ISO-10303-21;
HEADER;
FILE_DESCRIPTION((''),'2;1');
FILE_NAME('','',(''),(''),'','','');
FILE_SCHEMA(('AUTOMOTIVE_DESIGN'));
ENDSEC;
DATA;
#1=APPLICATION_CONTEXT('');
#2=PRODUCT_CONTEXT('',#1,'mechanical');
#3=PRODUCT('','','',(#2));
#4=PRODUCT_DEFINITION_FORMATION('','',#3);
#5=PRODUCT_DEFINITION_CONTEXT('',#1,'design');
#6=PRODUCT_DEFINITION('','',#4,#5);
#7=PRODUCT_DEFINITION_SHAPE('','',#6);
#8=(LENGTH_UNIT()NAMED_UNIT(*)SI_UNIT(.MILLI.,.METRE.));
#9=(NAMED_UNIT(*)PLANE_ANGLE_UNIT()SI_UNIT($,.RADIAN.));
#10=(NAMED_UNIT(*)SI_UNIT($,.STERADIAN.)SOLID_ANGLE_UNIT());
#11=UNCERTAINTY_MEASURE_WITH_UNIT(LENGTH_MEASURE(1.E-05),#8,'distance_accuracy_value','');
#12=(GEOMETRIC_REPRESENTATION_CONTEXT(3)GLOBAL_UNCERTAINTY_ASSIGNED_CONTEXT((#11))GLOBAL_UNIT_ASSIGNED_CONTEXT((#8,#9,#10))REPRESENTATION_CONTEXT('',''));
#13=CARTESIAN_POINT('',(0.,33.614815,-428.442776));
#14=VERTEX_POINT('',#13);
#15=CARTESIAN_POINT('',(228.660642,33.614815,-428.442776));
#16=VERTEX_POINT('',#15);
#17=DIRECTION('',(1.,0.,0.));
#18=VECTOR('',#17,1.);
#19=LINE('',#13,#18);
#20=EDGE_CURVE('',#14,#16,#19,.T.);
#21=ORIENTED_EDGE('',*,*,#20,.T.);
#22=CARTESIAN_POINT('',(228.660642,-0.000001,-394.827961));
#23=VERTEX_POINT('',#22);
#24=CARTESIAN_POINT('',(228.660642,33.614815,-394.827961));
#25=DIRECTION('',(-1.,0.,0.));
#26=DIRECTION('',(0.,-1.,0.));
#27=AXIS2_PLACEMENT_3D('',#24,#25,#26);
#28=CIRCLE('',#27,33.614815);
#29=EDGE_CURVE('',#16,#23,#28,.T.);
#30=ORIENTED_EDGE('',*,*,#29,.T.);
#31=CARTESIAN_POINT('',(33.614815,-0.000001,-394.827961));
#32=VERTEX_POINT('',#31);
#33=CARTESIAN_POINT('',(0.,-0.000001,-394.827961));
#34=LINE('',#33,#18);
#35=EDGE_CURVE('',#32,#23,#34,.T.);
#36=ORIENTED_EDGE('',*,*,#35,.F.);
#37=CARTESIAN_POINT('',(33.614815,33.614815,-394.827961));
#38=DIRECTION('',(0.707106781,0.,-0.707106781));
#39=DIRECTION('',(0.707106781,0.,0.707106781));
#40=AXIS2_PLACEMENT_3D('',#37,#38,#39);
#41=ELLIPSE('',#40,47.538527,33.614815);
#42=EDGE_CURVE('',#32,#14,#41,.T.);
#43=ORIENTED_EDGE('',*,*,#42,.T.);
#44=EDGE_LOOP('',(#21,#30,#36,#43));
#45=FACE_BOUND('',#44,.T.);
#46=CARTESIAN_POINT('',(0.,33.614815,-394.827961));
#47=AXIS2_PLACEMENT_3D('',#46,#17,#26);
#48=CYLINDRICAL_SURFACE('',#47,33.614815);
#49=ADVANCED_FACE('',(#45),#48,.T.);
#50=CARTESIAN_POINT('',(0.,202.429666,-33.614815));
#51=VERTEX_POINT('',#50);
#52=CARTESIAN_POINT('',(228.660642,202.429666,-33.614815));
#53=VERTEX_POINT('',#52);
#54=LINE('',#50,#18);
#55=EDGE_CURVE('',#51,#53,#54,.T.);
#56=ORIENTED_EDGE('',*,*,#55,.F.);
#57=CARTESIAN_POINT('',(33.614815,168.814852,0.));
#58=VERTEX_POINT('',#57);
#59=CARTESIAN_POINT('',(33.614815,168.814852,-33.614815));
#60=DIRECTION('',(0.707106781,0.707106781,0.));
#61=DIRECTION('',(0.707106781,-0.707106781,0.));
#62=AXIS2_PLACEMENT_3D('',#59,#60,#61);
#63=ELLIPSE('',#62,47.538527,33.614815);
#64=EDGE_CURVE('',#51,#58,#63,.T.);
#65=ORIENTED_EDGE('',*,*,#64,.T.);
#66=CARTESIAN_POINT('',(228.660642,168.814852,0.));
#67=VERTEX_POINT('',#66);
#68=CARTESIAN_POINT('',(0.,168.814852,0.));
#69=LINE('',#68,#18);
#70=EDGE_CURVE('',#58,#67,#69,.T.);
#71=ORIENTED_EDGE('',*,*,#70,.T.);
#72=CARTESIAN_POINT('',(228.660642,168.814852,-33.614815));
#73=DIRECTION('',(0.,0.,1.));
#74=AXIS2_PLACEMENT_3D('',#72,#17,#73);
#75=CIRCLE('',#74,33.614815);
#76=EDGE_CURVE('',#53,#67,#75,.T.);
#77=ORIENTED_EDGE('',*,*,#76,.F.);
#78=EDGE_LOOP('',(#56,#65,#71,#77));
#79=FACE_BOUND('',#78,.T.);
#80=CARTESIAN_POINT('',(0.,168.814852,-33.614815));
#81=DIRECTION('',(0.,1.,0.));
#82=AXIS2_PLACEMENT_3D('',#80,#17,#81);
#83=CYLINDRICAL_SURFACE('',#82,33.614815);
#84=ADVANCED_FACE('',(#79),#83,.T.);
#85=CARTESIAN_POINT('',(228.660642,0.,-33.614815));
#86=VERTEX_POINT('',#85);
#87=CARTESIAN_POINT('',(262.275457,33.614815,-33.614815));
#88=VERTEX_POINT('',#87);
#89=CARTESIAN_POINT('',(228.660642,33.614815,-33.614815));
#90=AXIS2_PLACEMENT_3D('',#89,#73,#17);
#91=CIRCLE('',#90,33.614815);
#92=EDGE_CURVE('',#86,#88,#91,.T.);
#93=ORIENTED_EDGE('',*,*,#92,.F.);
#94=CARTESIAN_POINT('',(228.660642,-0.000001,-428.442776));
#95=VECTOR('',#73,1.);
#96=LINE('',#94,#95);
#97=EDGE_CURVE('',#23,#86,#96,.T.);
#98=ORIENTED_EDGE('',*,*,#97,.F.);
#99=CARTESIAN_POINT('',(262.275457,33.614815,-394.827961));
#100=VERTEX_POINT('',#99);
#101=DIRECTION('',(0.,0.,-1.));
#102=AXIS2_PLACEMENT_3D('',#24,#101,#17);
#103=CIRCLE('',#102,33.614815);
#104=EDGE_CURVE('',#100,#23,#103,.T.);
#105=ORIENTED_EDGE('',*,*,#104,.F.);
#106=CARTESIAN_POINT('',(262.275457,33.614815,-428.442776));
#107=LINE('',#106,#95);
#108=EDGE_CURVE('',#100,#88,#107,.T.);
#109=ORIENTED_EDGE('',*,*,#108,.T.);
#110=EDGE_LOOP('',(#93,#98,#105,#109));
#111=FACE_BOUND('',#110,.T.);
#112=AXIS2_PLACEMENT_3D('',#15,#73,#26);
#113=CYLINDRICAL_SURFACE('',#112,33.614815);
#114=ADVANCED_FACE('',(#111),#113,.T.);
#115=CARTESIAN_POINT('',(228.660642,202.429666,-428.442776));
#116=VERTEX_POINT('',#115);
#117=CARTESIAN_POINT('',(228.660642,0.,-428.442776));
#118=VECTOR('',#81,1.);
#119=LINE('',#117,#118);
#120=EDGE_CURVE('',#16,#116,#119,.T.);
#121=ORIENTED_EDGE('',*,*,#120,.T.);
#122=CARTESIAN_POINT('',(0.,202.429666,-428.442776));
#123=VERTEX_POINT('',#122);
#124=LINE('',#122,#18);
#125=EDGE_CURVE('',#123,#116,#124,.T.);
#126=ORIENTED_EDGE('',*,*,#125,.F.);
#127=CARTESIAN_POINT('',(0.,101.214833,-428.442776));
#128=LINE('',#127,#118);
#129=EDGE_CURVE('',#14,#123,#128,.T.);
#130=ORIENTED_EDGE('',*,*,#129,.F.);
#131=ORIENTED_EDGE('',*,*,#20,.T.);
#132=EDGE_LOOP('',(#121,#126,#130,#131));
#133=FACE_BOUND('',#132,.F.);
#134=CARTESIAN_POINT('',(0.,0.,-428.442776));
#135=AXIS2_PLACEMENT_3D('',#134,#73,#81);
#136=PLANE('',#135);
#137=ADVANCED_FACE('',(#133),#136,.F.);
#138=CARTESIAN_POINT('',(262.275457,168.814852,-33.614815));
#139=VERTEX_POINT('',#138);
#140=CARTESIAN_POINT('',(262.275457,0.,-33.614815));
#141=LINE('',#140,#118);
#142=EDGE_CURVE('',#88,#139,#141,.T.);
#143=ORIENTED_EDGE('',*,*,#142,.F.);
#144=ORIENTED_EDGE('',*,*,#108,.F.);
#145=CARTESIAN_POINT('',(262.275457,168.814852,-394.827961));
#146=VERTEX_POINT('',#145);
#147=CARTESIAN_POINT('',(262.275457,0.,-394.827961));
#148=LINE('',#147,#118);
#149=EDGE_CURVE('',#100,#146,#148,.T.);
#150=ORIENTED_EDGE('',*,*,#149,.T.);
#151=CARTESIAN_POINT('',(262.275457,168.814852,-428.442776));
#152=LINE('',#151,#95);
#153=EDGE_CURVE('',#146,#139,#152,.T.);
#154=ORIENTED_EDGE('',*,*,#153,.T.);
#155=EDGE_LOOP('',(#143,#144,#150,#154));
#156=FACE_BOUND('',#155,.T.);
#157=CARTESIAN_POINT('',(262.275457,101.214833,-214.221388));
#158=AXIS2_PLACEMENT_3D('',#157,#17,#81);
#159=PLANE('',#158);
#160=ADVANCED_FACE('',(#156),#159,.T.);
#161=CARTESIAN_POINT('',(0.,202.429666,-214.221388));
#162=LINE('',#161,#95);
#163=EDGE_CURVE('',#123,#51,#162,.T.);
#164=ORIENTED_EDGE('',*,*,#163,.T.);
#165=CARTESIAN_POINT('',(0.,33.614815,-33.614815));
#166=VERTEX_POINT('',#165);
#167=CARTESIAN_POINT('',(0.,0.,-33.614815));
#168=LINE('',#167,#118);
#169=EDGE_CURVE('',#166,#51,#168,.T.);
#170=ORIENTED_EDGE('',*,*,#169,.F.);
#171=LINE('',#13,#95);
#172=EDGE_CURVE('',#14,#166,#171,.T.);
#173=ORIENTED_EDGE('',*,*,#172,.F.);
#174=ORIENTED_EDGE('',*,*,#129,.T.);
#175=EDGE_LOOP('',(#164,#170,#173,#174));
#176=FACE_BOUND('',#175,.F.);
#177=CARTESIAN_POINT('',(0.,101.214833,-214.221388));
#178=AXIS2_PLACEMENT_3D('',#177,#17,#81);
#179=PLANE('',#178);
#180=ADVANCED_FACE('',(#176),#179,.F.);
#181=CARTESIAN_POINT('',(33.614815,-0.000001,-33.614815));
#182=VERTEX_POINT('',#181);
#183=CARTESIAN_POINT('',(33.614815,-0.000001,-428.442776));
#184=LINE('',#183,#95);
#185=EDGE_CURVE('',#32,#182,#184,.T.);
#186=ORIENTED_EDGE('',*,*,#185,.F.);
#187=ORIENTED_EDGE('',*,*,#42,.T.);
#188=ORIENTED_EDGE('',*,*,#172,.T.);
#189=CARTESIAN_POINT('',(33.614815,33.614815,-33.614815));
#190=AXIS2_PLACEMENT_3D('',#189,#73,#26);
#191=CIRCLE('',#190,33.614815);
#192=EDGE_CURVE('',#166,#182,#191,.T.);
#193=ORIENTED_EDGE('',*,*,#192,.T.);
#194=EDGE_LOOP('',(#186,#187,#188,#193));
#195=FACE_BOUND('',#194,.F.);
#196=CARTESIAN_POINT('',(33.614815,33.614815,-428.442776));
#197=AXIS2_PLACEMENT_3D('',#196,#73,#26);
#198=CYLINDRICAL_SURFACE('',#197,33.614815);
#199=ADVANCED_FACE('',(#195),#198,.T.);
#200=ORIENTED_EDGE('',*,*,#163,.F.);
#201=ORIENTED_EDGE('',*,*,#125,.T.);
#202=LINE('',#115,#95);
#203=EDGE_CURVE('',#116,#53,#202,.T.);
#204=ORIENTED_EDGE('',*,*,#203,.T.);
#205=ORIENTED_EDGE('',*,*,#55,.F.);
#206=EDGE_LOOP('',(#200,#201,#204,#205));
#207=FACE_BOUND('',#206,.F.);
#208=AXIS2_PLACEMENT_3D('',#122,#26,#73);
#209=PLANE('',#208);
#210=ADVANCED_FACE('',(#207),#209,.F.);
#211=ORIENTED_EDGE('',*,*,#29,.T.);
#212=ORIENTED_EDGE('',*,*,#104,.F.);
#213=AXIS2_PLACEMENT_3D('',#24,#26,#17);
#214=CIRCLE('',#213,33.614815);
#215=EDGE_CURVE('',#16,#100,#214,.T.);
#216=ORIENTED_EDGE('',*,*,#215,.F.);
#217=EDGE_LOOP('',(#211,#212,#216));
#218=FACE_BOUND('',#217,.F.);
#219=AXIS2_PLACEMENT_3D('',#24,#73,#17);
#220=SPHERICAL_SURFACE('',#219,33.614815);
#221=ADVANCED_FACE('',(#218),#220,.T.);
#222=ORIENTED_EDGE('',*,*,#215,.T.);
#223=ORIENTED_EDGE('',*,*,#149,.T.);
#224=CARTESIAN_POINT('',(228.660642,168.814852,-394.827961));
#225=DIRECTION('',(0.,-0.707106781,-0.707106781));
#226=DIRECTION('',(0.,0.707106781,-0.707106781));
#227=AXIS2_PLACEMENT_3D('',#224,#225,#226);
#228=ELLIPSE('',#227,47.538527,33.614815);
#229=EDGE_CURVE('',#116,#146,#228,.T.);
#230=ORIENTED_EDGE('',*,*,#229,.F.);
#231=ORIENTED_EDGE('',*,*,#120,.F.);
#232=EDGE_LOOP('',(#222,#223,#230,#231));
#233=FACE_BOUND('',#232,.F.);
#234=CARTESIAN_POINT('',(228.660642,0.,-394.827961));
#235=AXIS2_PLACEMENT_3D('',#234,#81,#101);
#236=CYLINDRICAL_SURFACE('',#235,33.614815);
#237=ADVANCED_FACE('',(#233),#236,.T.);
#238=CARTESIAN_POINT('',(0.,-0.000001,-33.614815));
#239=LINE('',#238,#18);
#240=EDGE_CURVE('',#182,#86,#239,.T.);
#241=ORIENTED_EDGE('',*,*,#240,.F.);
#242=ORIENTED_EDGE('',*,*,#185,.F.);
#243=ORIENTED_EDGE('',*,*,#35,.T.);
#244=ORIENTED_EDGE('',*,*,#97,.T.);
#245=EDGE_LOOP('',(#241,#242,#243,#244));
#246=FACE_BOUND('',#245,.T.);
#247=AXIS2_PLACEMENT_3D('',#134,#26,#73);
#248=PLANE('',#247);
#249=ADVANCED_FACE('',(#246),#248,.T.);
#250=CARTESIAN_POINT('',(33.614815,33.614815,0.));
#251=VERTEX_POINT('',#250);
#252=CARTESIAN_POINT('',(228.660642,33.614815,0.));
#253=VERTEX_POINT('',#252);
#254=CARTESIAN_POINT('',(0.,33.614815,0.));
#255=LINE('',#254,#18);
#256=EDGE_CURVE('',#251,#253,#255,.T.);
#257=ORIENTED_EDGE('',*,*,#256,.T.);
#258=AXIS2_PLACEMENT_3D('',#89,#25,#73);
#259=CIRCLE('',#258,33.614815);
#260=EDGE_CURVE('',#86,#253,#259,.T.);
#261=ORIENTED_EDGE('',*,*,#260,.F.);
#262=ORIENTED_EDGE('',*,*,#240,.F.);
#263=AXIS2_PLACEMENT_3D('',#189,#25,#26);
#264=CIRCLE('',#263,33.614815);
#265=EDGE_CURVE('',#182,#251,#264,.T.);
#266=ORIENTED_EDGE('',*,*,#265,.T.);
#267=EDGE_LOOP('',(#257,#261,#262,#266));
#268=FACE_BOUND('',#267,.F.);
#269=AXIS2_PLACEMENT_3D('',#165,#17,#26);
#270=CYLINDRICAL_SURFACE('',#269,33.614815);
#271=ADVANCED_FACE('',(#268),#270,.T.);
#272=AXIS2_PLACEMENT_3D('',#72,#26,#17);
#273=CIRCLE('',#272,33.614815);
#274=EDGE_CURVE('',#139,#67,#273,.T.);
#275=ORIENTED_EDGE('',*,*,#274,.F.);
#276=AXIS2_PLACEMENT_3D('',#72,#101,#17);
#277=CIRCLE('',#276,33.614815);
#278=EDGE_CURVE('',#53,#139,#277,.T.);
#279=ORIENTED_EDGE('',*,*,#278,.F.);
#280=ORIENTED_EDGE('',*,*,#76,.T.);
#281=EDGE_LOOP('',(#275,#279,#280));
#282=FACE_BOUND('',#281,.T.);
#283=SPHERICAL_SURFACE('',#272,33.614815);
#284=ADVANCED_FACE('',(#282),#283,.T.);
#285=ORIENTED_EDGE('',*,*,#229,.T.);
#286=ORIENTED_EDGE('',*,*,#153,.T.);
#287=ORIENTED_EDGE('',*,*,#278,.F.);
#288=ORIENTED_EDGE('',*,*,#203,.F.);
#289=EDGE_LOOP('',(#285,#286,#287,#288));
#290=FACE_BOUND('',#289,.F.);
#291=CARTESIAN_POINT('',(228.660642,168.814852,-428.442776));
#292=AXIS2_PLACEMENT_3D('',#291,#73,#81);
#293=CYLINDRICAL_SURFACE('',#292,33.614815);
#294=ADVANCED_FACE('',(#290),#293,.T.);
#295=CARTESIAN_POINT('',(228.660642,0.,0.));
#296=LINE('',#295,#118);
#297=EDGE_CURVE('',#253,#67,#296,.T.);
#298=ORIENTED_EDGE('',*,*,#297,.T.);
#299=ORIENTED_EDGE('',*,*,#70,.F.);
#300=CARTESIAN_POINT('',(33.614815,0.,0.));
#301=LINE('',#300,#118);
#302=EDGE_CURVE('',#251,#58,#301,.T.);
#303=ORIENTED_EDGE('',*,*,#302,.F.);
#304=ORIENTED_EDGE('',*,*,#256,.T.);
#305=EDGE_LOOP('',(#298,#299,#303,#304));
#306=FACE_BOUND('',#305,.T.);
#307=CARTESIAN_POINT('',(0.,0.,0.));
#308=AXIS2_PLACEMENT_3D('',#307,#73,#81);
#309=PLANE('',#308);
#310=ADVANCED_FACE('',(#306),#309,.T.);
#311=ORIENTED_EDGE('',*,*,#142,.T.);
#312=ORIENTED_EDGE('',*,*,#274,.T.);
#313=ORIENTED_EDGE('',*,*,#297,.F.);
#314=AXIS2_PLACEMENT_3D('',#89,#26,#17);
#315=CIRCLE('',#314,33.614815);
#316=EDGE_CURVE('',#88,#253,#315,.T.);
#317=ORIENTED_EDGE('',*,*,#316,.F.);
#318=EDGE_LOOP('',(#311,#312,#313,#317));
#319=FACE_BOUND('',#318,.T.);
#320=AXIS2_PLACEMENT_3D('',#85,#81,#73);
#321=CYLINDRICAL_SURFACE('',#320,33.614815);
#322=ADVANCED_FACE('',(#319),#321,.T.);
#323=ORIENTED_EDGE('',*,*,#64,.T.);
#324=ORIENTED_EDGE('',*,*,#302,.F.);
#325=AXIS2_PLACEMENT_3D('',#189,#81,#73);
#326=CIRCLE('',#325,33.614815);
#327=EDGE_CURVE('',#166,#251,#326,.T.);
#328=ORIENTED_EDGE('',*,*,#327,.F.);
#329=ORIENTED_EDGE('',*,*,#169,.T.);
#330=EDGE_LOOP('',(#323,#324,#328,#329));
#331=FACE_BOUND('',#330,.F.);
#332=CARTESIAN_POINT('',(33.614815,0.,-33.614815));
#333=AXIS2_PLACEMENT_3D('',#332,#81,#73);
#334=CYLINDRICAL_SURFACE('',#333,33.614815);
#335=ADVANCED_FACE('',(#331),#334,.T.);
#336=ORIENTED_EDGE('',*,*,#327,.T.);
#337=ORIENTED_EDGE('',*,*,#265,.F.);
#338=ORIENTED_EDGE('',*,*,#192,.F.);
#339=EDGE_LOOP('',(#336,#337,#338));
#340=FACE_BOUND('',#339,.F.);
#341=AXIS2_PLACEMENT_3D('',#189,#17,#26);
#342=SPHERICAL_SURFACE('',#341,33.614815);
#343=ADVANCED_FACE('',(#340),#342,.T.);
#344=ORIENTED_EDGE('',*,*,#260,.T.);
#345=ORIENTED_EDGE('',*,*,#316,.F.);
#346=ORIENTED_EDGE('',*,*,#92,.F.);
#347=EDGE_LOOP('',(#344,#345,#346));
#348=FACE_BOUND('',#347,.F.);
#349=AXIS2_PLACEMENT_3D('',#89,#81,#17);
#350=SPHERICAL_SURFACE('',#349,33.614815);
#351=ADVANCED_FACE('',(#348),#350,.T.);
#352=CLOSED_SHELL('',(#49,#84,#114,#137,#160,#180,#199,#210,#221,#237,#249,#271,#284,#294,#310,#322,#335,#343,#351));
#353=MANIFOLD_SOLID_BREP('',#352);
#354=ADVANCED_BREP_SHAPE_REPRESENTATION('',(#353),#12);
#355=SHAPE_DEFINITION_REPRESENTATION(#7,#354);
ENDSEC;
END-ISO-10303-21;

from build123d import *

# Parameters (mm, degrees)
F0_W     = 202.429667
F0_H     = 428.442776
F1_DEPTH = 262.275457
F3_R     = 33.614815


with BuildPart() as f1:
    # F0 (on Right) → F1 (new body)
    with BuildSketch(Plane.YZ):
        with Locations((101.214833, -214.221388)):
            Rectangle(F0_W, F0_H)
    extrude(amount=F1_DEPTH)

    # F3
    f3_edges = [f1.edges().sort_by_distance(p)[0] for p in [
        (262.275457, 101.214834, 0),
        (262.275457, 0, -214.221388),
        (262.275457, 101.214834, -428.442776),
        (262.275457, 202.429667, -214.221388),
        (131.137729, 0, 0),
        (131.137729, 0, -428.442776),
        (0, 0, -214.221388),
        (131.137729, 202.429667, 0),
        (0, 101.214834, 0),
    ]]
    fillet(f3_edges, radius=F3_R)


solid = f1.part
